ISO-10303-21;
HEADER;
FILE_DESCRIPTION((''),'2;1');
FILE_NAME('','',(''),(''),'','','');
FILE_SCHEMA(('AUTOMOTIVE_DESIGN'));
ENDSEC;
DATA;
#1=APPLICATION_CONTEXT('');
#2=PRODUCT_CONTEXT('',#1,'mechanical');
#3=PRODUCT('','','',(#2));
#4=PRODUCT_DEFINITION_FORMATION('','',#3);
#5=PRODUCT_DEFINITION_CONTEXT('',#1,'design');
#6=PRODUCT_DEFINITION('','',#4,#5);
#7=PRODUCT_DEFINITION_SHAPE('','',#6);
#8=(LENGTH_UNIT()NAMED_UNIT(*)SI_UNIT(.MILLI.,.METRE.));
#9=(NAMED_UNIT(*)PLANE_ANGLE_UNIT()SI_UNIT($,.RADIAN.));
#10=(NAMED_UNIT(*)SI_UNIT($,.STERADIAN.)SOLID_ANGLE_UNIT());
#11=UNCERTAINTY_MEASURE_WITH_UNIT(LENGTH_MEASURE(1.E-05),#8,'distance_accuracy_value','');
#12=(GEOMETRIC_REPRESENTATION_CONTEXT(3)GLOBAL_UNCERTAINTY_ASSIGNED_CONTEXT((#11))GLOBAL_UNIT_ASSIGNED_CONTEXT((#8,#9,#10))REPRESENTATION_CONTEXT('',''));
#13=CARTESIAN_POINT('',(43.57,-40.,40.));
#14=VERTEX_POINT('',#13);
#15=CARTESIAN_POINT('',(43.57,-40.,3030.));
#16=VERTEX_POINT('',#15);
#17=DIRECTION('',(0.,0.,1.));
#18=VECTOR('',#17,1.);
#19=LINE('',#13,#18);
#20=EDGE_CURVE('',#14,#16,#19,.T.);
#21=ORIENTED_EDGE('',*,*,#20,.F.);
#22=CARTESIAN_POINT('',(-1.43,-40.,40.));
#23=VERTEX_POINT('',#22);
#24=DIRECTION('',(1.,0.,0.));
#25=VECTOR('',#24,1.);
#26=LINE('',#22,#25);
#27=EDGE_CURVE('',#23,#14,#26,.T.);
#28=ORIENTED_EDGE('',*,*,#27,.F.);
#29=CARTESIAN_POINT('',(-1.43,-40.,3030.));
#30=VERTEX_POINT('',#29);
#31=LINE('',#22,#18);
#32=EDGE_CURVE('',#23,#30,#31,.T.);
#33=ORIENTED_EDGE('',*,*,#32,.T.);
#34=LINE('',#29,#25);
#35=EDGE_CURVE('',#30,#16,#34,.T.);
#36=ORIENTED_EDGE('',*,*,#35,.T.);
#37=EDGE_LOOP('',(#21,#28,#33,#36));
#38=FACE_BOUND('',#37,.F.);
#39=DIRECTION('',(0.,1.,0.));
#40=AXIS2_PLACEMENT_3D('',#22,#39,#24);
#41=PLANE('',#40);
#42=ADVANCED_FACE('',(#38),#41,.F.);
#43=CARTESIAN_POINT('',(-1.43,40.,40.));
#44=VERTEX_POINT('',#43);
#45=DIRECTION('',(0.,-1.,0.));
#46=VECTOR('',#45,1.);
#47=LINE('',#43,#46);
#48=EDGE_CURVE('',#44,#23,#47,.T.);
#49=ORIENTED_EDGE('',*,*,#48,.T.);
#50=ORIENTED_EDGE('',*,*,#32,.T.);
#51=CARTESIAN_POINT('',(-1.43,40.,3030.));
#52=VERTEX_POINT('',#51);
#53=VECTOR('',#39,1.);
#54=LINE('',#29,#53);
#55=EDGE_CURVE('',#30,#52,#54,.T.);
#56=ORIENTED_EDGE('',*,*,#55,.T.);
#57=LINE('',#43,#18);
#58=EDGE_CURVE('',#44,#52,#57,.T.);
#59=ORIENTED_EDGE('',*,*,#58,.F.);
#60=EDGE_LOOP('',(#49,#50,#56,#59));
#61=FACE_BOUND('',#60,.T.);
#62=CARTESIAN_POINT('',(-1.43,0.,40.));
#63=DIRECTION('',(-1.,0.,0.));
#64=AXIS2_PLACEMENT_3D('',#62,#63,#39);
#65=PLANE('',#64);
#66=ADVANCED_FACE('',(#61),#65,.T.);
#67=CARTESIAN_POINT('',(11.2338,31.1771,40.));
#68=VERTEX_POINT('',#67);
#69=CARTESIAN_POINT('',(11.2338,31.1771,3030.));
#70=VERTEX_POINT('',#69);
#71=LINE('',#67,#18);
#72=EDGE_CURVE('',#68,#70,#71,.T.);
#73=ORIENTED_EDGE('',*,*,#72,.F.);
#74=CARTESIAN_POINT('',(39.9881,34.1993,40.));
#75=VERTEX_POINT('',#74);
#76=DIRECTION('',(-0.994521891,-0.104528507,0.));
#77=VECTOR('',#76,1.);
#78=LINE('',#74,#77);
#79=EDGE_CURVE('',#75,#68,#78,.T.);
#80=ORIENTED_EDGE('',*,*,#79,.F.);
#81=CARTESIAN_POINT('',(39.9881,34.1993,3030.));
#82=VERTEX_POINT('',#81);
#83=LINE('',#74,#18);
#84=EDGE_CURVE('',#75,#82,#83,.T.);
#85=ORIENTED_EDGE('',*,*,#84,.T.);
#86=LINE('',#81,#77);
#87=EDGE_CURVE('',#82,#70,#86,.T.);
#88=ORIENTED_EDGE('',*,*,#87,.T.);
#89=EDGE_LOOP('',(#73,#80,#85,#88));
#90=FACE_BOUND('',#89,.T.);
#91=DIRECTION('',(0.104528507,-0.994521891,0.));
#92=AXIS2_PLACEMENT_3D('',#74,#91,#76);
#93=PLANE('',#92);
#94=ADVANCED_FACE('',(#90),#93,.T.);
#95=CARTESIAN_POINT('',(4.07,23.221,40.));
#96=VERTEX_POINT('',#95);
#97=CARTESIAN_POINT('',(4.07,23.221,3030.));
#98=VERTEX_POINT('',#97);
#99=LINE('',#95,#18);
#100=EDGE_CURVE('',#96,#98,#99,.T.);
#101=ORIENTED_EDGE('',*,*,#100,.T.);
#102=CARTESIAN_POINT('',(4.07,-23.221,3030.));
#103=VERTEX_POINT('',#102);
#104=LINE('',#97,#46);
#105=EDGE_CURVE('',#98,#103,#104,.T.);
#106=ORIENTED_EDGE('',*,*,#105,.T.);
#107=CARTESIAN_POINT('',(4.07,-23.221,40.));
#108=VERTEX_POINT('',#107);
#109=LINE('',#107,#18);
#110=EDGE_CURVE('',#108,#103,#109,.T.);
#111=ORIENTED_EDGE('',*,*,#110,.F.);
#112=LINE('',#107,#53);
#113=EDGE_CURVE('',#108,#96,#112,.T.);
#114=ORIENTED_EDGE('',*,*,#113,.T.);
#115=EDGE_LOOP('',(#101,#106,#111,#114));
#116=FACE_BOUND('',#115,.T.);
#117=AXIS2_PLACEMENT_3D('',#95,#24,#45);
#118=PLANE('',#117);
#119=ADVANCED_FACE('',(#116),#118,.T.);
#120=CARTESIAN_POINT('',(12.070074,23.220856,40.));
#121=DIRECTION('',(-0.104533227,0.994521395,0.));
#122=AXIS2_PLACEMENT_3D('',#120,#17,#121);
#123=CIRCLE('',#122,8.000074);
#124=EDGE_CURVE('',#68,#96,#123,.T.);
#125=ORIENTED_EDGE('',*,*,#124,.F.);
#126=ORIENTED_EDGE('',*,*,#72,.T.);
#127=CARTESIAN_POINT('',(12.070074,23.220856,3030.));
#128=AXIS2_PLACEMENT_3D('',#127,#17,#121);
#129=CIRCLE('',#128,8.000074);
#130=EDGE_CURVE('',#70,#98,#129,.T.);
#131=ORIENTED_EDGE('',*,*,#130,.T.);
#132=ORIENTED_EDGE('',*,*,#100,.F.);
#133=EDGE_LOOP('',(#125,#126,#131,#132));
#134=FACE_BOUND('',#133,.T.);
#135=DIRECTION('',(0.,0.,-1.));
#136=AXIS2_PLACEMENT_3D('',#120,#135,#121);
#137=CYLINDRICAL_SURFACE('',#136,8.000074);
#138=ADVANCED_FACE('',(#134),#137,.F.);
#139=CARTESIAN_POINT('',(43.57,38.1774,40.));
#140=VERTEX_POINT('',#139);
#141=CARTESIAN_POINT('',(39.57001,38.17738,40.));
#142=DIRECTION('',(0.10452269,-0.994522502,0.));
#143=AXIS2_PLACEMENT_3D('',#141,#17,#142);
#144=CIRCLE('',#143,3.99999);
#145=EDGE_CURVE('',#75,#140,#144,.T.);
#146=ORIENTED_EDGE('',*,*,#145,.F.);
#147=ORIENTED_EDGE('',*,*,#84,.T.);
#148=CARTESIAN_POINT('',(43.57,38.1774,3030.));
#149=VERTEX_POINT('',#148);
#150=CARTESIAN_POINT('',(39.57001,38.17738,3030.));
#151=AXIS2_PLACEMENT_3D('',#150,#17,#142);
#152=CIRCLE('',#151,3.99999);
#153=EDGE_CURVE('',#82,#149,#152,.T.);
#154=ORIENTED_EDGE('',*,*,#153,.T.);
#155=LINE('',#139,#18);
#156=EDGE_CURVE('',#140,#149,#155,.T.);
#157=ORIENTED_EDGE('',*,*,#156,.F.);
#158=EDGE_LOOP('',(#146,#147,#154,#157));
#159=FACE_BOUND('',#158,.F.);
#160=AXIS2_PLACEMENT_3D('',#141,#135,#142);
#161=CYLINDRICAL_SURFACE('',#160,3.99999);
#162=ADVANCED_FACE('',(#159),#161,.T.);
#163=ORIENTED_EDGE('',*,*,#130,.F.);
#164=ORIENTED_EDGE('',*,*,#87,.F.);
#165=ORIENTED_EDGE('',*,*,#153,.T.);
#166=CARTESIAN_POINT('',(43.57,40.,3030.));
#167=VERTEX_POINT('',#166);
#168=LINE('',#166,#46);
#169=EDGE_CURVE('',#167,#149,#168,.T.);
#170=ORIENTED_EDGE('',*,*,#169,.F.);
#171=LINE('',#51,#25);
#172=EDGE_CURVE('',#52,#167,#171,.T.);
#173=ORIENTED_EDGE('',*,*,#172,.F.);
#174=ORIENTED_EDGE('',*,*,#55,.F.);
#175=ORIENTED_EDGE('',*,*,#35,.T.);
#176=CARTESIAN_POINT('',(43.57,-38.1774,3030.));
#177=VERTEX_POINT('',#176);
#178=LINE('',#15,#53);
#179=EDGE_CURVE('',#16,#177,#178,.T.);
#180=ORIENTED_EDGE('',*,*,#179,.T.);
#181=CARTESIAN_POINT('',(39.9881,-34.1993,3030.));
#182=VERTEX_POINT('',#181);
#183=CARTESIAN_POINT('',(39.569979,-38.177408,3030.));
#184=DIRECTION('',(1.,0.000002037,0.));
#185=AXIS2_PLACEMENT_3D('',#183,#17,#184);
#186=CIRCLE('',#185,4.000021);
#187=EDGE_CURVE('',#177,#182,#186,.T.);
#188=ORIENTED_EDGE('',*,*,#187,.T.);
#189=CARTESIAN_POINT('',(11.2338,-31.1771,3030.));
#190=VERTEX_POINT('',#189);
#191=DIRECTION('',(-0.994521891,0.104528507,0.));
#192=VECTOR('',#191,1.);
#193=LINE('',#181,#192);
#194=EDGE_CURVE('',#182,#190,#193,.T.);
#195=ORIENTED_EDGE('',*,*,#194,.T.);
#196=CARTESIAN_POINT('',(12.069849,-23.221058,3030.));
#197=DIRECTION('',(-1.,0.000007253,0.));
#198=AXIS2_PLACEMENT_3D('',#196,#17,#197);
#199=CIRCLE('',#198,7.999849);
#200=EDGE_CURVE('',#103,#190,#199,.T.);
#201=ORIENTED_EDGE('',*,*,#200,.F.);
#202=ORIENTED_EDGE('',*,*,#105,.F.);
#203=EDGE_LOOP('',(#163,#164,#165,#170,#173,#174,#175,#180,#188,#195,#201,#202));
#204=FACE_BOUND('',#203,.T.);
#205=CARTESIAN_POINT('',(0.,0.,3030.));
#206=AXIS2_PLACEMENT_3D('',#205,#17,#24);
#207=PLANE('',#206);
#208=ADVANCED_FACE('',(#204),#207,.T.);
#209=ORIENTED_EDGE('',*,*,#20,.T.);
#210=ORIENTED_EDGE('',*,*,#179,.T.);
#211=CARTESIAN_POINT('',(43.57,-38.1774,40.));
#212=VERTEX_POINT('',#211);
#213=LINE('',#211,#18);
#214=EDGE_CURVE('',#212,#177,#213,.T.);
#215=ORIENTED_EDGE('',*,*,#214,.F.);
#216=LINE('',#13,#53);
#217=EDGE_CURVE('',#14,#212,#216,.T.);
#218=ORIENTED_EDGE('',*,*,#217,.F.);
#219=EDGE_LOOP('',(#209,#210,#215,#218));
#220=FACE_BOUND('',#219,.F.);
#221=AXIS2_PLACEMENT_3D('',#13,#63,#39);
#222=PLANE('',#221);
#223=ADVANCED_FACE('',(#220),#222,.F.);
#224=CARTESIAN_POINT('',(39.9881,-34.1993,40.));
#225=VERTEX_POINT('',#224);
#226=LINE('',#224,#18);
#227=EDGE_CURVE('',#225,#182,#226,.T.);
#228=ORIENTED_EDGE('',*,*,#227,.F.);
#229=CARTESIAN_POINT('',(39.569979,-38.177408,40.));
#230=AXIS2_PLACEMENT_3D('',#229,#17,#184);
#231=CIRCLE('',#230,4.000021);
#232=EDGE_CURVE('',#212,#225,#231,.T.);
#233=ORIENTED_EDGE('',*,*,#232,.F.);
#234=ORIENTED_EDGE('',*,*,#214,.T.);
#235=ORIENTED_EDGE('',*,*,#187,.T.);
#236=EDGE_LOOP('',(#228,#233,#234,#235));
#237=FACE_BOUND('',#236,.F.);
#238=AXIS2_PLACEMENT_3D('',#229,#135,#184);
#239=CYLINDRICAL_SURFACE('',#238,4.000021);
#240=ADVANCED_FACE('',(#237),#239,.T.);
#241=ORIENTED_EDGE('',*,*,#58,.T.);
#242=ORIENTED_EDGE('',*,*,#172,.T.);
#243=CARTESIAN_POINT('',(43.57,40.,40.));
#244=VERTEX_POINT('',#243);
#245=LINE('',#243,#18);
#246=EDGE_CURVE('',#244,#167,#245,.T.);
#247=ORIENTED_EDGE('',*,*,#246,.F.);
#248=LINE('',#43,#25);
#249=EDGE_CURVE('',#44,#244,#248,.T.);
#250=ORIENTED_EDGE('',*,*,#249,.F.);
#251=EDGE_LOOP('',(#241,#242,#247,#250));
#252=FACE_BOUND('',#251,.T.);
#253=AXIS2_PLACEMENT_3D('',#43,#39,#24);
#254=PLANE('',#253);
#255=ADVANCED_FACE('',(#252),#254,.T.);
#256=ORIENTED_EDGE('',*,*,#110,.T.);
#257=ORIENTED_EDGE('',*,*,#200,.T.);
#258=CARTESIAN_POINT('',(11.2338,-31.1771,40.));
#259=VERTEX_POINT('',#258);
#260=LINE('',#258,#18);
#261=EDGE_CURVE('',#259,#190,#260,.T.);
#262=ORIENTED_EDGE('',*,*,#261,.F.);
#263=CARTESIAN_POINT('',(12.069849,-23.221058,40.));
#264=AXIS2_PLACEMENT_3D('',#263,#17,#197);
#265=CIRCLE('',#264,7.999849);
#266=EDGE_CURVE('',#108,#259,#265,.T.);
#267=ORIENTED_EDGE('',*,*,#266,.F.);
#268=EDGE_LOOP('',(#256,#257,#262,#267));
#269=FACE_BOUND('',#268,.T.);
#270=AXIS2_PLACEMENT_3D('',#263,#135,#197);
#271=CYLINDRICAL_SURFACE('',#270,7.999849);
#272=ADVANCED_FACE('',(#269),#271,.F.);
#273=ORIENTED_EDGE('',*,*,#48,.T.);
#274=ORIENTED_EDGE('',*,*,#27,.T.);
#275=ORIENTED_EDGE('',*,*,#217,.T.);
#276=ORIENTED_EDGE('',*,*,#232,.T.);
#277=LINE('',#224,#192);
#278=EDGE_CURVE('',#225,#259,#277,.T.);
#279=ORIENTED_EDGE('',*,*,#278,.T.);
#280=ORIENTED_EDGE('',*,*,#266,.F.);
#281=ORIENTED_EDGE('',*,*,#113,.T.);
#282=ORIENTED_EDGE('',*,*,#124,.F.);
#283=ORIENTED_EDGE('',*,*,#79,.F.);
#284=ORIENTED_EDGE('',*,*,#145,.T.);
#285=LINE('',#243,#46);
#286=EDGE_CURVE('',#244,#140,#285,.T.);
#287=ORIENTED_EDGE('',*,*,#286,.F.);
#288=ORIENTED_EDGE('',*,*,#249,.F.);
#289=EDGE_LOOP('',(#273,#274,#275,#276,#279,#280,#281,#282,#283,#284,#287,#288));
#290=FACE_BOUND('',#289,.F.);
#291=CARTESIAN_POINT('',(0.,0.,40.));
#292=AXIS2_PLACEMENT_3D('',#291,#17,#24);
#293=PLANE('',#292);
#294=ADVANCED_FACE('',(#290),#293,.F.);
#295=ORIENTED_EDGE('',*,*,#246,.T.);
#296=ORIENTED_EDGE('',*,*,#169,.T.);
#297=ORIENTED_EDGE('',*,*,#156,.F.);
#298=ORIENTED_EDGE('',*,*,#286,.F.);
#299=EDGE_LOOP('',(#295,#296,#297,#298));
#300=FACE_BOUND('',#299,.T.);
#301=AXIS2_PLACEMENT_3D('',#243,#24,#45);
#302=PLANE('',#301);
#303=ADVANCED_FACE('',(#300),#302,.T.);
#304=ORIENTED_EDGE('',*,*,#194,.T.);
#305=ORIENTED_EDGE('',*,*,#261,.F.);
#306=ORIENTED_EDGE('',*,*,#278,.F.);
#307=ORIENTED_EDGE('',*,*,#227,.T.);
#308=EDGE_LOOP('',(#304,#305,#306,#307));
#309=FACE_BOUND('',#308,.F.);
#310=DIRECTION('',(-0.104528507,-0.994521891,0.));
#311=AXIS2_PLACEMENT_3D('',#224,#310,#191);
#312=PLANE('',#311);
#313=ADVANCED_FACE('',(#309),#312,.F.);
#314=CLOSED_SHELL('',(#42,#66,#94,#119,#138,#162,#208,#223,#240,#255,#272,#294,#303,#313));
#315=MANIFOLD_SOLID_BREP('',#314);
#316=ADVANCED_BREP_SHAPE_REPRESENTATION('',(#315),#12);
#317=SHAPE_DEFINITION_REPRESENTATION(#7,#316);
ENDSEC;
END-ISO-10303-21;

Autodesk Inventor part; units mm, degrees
ref_plane "Начальная плоскость" through (0, 0, 40) normal (0, 0, 1) x (1, 0, 0)
ref_plane "Конечная плоскость" through (0, 0, 3030) normal (0, 0, 1) x (1, 0, 0)
sketch "Эскиз" plane through (0, 0, 0) normal (0, 0, 1) x (1, 0, 0)
  line L0 (-1.43, 0) -> (-1.43, 40)
  line L1 (-1.43, 40) -> (43.57, 40)
  line L2 (43.57, 40) -> (43.57, 38.1774)
  line L3 (39.9881, 34.1993) -> (11.2338, 31.1771)
  line L4 (4.07, 23.221) -> (4.07, 0)
  line L5 (4.07, 0) -> (-1.43, 0) construction
  line L6 (23.82, 40) -> (23.82, 32.5) construction
  line L7 (43.57, 34.5758) -> (43.57, 32.5) construction
  line L8 (43.57, 32.5) -> (23.82, 32.5) construction
  line L9 (0, 15) -> (0, -27) construction
  line L10 (-5.539, 0) -> (16.0067, 0) construction
  line L11 (-1.43, 0) -> (-1.43, -40)
  line L12 (-1.43, -40) -> (43.57, -40)
  line L13 (43.57, -40) -> (43.57, -38.1774)
  line L14 (39.9881, -34.1993) -> (11.2338, -31.1771)
  line L15 (4.07, -23.221) -> (4.07, 0)
  arc A0 (11.2338, 31.1771) -> (4.07, 23.221) centre (12.07, 23.221) ccw
  arc A1 (4.07, -23.221) -> (11.2338, -31.1771) centre (12.07, -23.221) ccw
  arc A2 (39.9881, 34.1993) -> (43.57, 38.1774) centre (39.57, 38.1774) ccw
  arc A3 (43.57, -38.1774) -> (39.9881, -34.1993) centre (39.57, -38.1774) ccw
  line L16 (0, 56) -> (0, -56) construction
  line L17 (-15.5135, 0) -> (54.308, 0) construction
  point P0 (4.07, 30.4242)
  point P1 (43.57, -34.5758)
  point P2 (4.07, -30.4242)
  point P3 (23.82, -40)
  point P4 (23.82, -32.5)
  dimension "d0" = 5.5
  dimension "d1" = 40
  dimension "d2" = 45
  dimension "d3" = 7.5
  dimension "d4" = 19.75
  dimension "d5" = 2.0758
  dimension "d23" = 8
  dimension "d24" = 4
  dimension "d25" = 1.43
extrude "Тело" add sketch "Эскиз" along normal up to surface (2990 mm away) from surface at 40
sketch "Sketch3" plane through (0, 0, 0) normal (0, 0, 1) x (1, 0, 0)
  line L0 (0, 0) -> (10, 0)
ref_plane "Work Plane3" through (0, 0, 0) normal (0, -1, 0) x (1, 0, 0)
sketch "Sketch4" plane through (0, 0, 0) normal (0, -1, 0) x (1, 0, 0)
  line L0 (-2, 40) -> (12, 40)
  line L1 (-2, 3030) -> (12, 3030)
  dimension "d29" = 2990
ref_plane "РабПлоскость4" through (-1.43, 1220, 40) normal (0, 0, -1) x (-1, 0, 0)
split "Разделение1" plane through (-1.43, 1220, 40) removes the side toward (0, 0, -1)
ref_plane "РабПлоскость5" through (-1.43, -500, 3030) normal (0, 0, 1) x (1, 0, 0)
split "Разделение2" plane through (-1.43, -500, 3030) removes the side toward (0, 0, 1)
equation "\"d0\" = G_T"
equation "\"d1\" = 0.5 * G_H"
equation "\"d2\" = G_W"
equation "\"d3\" = G_T1"
equation "\"d4\" = G_C"
equation "\"d23\" = G_IR"
equation "\"d24\" = G_ER"
equation "\"d25\" = ex"
equation "\"d6\" = G_L"
equation "\"G_W\" = 45"
equation "\"G_T\" = 5.5"
equation "\"G_T1\" = 7.5"
equation "\"G_NG\" = 0.105104"
equation "\"G_ER\" = 4"
equation "\"G_IR\" = 8"
equation "\"G_C\" = 19.75"
equation "\"G_L\" = d29"
equation "\"ex\" = 1.43"
equation "\"G_H\" = 80"
properties part number "ISO 657/11 - CH 80 x 8 - 2990" material "Сталь, мягкая"
